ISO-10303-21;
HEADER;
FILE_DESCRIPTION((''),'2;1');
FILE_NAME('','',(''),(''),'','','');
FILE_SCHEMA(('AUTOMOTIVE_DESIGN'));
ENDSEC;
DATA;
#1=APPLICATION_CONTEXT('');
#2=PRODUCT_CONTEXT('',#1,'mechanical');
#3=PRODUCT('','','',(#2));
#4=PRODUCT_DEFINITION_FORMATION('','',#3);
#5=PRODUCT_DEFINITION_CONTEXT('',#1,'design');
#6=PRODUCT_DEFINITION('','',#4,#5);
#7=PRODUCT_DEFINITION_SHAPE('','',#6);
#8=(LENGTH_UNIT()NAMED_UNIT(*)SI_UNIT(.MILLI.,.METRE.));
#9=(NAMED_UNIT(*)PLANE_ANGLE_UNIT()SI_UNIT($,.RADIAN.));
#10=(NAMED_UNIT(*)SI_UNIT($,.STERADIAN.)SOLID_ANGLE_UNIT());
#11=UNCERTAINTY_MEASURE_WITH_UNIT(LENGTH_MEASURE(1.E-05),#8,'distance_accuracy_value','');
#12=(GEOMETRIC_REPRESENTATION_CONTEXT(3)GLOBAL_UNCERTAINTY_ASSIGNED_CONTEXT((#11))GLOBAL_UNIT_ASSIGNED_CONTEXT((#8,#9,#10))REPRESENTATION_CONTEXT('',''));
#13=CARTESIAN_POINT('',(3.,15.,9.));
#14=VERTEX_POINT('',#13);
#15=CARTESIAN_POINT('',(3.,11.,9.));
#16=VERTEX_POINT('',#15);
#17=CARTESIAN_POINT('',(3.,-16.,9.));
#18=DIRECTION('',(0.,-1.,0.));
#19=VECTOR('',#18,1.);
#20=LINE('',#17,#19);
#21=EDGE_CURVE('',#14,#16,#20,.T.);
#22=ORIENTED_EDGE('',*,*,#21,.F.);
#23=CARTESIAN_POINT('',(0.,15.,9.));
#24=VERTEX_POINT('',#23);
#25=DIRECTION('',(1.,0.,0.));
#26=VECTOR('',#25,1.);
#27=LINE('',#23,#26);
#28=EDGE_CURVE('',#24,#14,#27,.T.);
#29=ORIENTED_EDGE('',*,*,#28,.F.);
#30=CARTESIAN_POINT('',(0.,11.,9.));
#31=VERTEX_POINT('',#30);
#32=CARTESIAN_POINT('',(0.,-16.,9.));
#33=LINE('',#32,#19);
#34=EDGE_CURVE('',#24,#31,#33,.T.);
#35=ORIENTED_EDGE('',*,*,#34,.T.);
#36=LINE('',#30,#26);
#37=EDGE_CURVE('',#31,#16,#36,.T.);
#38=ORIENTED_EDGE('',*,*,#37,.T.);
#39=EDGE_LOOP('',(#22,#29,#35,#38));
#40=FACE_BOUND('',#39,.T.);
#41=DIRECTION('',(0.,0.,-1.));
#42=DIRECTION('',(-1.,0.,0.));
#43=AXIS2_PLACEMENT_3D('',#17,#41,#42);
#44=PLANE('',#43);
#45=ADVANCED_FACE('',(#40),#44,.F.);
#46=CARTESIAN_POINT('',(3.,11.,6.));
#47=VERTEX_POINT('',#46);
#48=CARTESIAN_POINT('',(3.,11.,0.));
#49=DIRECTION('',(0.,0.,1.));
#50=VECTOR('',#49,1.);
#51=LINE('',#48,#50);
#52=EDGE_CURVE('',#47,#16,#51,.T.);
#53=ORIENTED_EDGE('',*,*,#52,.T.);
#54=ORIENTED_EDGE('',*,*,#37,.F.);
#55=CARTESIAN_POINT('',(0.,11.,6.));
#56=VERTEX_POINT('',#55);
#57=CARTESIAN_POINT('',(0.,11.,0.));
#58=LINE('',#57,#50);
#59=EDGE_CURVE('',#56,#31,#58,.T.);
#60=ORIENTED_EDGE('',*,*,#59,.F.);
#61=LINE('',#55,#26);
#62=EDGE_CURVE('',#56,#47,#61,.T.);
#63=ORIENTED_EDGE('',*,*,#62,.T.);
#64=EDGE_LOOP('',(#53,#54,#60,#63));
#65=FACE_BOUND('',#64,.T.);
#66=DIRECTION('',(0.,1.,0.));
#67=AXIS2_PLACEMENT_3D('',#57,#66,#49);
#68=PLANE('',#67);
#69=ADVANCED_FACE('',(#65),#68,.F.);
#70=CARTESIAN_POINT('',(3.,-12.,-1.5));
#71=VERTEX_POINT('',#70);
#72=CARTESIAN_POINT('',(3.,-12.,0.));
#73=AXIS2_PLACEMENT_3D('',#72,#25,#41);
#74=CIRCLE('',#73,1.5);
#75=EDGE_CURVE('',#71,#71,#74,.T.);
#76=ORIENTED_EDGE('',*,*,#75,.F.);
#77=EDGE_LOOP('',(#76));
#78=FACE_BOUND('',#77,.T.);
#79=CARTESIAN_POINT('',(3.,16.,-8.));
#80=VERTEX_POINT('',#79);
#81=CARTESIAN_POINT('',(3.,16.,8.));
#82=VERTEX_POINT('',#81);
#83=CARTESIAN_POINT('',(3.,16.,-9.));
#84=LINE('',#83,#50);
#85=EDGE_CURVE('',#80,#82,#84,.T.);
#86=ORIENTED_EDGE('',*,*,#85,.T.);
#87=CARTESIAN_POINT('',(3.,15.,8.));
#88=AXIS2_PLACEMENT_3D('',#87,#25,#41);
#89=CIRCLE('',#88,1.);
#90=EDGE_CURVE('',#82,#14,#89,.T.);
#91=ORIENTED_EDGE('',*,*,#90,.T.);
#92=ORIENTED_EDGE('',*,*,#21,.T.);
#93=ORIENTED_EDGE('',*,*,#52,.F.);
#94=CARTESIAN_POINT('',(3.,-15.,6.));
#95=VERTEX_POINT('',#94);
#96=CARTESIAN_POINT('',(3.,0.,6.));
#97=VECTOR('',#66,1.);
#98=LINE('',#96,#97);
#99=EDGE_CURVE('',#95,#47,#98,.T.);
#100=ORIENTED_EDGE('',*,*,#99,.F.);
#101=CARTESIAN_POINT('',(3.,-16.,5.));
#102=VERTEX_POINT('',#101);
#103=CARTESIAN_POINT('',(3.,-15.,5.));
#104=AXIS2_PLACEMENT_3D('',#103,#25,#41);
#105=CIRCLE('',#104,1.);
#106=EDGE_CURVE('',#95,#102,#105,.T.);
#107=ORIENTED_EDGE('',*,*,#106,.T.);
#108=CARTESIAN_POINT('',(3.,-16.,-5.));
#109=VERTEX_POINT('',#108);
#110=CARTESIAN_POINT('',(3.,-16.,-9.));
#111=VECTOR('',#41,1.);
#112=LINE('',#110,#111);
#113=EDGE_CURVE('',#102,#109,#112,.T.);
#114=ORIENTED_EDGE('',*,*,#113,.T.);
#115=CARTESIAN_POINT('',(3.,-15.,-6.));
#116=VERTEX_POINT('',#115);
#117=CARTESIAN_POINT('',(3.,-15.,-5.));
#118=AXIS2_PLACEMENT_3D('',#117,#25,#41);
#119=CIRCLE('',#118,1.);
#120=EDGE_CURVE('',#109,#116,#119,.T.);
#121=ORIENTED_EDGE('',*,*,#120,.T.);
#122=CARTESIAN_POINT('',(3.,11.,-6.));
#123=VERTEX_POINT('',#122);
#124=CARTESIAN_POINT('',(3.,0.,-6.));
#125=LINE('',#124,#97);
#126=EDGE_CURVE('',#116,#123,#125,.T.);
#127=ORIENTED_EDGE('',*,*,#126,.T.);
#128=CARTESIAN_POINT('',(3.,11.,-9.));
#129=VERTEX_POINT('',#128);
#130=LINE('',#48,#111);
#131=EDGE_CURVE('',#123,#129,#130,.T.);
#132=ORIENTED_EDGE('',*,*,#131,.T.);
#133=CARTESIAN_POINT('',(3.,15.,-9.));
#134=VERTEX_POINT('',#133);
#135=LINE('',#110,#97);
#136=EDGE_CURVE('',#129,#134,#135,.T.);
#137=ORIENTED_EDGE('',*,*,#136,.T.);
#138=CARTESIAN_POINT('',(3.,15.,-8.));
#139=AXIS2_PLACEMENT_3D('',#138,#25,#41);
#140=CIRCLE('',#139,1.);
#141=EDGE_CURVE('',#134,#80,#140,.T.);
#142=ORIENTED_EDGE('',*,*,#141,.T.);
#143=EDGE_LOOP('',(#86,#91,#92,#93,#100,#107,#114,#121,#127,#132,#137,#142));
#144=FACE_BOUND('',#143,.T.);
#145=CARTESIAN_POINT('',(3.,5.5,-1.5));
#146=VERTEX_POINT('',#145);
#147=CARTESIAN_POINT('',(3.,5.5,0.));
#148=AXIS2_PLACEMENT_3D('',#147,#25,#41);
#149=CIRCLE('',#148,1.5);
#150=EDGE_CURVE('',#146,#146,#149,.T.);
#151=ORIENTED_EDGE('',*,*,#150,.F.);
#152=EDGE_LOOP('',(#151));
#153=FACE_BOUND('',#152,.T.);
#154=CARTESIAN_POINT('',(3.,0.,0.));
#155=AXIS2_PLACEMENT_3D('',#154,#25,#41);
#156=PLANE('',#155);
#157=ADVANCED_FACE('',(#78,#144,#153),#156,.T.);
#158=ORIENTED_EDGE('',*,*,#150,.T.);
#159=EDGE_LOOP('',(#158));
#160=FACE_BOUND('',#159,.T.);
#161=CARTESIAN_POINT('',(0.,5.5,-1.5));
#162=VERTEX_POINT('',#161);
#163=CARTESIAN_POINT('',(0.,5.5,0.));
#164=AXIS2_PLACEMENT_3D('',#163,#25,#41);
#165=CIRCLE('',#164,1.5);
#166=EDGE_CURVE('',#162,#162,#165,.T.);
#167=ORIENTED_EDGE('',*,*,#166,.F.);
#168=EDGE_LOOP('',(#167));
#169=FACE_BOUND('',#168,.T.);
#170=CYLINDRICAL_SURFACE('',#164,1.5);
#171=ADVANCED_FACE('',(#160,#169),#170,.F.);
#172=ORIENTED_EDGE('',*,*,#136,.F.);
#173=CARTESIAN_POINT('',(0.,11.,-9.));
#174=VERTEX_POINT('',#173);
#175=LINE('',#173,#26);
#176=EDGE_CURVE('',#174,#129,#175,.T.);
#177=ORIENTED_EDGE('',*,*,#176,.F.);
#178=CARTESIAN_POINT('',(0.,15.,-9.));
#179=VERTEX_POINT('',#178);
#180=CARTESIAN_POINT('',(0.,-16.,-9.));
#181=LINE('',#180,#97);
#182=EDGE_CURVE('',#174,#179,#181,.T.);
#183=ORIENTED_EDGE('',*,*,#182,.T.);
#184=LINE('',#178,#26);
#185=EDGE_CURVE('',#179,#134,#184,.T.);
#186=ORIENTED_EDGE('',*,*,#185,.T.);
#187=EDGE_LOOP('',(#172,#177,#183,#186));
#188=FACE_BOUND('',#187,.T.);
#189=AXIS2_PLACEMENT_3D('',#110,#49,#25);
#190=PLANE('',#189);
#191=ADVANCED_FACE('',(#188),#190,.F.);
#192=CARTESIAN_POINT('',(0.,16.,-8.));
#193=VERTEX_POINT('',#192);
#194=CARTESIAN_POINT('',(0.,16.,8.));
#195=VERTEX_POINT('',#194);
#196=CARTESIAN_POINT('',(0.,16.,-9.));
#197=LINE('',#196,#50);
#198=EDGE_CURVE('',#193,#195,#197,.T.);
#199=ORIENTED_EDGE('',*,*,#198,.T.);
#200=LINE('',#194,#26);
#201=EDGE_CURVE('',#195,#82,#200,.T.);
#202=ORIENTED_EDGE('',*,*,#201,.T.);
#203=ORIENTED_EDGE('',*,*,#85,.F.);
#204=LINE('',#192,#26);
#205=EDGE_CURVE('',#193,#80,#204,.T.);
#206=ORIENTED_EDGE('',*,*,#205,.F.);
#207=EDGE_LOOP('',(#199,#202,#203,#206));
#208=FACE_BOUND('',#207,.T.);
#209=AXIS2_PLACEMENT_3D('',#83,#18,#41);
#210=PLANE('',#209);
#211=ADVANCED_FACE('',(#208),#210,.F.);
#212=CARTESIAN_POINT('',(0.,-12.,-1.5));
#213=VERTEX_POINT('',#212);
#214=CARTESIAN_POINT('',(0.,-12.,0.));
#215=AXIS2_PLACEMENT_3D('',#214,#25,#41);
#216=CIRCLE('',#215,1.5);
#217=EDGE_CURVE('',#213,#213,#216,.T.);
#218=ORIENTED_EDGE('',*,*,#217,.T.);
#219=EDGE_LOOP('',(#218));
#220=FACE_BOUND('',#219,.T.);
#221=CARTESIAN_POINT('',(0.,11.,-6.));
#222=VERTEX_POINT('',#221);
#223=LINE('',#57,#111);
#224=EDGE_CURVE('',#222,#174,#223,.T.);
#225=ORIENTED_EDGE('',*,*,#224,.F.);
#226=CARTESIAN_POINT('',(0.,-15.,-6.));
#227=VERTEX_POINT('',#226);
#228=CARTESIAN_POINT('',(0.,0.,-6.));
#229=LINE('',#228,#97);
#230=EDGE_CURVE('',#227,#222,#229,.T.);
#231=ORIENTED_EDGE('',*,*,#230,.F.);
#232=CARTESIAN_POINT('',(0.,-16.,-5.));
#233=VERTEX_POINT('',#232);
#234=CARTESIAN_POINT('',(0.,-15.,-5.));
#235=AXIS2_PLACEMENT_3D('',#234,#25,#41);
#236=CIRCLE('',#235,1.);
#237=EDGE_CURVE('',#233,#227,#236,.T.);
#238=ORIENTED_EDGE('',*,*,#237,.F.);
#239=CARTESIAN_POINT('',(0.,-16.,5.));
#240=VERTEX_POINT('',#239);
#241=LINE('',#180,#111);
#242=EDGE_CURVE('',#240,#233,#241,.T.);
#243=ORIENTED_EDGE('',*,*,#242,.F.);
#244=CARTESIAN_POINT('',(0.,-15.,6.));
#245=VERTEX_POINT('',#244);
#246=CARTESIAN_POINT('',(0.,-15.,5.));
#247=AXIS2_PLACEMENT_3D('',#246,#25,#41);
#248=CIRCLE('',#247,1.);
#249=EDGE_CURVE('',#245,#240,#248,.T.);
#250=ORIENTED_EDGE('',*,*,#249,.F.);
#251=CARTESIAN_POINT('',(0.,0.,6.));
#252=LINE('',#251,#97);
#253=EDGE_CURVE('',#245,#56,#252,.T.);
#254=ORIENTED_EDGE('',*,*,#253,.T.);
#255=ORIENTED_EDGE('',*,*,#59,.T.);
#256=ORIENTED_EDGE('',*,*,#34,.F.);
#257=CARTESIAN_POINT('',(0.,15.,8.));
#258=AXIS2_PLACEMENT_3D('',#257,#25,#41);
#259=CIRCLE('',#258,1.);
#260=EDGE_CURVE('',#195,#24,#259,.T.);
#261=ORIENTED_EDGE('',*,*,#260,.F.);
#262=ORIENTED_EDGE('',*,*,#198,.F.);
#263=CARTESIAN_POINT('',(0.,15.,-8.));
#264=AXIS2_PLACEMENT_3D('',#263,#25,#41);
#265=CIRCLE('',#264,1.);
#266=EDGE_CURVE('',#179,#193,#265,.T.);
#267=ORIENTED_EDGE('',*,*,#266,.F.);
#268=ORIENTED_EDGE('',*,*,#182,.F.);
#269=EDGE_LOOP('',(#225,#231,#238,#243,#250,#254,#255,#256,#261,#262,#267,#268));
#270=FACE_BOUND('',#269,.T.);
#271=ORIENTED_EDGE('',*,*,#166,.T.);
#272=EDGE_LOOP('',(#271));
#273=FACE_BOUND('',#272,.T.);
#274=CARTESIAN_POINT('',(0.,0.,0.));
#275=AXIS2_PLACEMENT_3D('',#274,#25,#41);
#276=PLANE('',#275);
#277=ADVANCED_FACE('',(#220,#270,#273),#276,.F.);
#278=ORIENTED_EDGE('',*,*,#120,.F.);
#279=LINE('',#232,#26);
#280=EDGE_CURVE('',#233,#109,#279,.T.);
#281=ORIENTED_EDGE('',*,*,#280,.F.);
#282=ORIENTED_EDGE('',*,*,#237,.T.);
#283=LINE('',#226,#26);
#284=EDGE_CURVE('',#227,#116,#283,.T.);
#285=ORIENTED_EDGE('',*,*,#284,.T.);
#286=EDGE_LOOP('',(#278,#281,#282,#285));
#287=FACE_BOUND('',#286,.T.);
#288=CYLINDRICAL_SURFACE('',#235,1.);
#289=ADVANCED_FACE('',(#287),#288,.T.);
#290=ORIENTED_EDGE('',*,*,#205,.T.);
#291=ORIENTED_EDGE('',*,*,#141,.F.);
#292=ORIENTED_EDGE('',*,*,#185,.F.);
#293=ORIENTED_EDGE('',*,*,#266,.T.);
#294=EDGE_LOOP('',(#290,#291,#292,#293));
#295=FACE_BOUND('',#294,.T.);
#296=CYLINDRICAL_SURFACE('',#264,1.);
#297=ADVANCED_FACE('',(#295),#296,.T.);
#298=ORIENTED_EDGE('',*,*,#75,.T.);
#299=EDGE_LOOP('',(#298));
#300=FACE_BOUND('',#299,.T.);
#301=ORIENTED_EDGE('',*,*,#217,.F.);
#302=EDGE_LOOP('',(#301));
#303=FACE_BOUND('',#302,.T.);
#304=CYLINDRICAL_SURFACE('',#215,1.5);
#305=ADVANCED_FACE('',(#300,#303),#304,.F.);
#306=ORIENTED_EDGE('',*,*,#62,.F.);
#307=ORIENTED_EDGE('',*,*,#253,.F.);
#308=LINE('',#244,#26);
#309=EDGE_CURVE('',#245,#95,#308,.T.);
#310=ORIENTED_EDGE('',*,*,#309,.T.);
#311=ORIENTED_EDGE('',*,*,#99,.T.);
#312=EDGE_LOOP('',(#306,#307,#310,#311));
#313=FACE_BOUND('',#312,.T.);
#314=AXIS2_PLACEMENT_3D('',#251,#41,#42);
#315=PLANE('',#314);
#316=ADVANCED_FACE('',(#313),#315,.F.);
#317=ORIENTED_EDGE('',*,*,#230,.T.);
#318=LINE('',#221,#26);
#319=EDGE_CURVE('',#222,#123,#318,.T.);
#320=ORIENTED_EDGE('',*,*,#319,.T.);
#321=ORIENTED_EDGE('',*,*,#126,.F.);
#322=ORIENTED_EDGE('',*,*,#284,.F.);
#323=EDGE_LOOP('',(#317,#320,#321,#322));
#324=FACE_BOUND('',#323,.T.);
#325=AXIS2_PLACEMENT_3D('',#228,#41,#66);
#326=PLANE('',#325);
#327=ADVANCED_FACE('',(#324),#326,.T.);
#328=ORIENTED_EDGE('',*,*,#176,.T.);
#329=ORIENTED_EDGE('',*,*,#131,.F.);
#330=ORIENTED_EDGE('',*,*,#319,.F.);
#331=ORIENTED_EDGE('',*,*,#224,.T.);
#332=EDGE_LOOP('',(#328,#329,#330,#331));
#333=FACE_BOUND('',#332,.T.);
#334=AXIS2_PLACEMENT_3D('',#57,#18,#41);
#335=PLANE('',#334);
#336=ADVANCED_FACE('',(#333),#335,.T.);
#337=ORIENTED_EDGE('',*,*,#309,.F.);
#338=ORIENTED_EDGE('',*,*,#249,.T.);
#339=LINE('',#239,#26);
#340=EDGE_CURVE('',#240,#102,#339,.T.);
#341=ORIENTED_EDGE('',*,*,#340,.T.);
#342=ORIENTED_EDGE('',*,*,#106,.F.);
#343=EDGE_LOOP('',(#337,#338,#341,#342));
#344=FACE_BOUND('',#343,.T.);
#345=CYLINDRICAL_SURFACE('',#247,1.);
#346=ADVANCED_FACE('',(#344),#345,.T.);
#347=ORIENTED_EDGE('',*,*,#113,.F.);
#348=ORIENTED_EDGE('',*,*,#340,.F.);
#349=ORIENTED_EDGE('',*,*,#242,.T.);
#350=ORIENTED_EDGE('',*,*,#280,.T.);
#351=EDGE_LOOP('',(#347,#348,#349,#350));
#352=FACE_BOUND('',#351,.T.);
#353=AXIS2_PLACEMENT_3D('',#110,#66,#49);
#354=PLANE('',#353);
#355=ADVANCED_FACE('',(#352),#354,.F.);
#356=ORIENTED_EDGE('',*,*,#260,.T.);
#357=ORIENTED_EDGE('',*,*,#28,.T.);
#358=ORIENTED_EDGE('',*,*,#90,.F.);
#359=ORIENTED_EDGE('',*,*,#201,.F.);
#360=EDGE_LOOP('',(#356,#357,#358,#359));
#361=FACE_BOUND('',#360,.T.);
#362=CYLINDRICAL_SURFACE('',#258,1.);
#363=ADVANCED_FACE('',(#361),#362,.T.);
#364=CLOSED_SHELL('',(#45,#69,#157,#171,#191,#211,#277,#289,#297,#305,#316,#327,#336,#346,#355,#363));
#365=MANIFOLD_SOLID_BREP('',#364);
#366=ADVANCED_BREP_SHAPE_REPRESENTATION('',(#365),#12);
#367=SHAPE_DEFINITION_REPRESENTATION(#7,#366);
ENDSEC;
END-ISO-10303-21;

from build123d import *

# Parameters (mm, degrees)
SKETCH1_W           = 18
SKETCH1_H           = 32
BOSS_EXTRUDE1_DEPTH = 3
SKETCH2_R           = 1.5
CUT_EXTRUDE2_DEPTH  = 3


with BuildPart() as part:
    # Sketch1 → Boss-Extrude1 (new body)
    with BuildSketch(Plane(origin=(0, 0, 0), x_dir=(0, 0, -1), z_dir=(1, 0, 0))):
        Rectangle(SKETCH1_W, SKETCH1_H)
    extrude(amount=BOSS_EXTRUDE1_DEPTH)

    # Sketch2 → Cut-Extrude2 (cut)
    with BuildSketch(Plane(origin=(3, 0, 0), x_dir=(0, 0, -1), z_dir=(1, 0, 0))):
        with BuildLine():
            ThreePointArc((8, 16), (8.707106781, 15.707106781), (9, 15))
            Line((9, 15), (9, 16))
            Line((9, 16), (8, 16))
        make_face()
        with BuildLine():
            ThreePointArc((-9, 15), (-8.707106781, 15.707106781), (-8, 16))
            Line((-8, 16), (-9, 16))
            Line((-9, 16), (-9, 15))
        make_face()
        with BuildLine():
            Line((-6, -16), (-5, -16))
            ThreePointArc((-5, -16), (-5.707106781, -15.707106781), (-6, -15))
            Line((-6, -15), (-6, 11))
            Line((-6, 11), (-9, 11))
            Line((-9, 11), (-9, -16))
            Line((-9, -16), (-6, -16))
        make_face()
        with BuildLine():
            Line((6, 11), (6, -15))
            ThreePointArc((6, -15), (5.707106781, -15.707106781), (5, -16))
            Line((5, -16), (6, -16))
            Line((6, -16), (9, -16))
            Line((9, -16), (9, 11))
            Line((9, 11), (6, 11))
        make_face()
        with Locations((0, 5.5)):
            Circle(SKETCH2_R)
        with Locations((0, -12)):
            Circle(SKETCH2_R)
    extrude(amount=-CUT_EXTRUDE2_DEPTH, mode=Mode.SUBTRACT)


solid = part.part
